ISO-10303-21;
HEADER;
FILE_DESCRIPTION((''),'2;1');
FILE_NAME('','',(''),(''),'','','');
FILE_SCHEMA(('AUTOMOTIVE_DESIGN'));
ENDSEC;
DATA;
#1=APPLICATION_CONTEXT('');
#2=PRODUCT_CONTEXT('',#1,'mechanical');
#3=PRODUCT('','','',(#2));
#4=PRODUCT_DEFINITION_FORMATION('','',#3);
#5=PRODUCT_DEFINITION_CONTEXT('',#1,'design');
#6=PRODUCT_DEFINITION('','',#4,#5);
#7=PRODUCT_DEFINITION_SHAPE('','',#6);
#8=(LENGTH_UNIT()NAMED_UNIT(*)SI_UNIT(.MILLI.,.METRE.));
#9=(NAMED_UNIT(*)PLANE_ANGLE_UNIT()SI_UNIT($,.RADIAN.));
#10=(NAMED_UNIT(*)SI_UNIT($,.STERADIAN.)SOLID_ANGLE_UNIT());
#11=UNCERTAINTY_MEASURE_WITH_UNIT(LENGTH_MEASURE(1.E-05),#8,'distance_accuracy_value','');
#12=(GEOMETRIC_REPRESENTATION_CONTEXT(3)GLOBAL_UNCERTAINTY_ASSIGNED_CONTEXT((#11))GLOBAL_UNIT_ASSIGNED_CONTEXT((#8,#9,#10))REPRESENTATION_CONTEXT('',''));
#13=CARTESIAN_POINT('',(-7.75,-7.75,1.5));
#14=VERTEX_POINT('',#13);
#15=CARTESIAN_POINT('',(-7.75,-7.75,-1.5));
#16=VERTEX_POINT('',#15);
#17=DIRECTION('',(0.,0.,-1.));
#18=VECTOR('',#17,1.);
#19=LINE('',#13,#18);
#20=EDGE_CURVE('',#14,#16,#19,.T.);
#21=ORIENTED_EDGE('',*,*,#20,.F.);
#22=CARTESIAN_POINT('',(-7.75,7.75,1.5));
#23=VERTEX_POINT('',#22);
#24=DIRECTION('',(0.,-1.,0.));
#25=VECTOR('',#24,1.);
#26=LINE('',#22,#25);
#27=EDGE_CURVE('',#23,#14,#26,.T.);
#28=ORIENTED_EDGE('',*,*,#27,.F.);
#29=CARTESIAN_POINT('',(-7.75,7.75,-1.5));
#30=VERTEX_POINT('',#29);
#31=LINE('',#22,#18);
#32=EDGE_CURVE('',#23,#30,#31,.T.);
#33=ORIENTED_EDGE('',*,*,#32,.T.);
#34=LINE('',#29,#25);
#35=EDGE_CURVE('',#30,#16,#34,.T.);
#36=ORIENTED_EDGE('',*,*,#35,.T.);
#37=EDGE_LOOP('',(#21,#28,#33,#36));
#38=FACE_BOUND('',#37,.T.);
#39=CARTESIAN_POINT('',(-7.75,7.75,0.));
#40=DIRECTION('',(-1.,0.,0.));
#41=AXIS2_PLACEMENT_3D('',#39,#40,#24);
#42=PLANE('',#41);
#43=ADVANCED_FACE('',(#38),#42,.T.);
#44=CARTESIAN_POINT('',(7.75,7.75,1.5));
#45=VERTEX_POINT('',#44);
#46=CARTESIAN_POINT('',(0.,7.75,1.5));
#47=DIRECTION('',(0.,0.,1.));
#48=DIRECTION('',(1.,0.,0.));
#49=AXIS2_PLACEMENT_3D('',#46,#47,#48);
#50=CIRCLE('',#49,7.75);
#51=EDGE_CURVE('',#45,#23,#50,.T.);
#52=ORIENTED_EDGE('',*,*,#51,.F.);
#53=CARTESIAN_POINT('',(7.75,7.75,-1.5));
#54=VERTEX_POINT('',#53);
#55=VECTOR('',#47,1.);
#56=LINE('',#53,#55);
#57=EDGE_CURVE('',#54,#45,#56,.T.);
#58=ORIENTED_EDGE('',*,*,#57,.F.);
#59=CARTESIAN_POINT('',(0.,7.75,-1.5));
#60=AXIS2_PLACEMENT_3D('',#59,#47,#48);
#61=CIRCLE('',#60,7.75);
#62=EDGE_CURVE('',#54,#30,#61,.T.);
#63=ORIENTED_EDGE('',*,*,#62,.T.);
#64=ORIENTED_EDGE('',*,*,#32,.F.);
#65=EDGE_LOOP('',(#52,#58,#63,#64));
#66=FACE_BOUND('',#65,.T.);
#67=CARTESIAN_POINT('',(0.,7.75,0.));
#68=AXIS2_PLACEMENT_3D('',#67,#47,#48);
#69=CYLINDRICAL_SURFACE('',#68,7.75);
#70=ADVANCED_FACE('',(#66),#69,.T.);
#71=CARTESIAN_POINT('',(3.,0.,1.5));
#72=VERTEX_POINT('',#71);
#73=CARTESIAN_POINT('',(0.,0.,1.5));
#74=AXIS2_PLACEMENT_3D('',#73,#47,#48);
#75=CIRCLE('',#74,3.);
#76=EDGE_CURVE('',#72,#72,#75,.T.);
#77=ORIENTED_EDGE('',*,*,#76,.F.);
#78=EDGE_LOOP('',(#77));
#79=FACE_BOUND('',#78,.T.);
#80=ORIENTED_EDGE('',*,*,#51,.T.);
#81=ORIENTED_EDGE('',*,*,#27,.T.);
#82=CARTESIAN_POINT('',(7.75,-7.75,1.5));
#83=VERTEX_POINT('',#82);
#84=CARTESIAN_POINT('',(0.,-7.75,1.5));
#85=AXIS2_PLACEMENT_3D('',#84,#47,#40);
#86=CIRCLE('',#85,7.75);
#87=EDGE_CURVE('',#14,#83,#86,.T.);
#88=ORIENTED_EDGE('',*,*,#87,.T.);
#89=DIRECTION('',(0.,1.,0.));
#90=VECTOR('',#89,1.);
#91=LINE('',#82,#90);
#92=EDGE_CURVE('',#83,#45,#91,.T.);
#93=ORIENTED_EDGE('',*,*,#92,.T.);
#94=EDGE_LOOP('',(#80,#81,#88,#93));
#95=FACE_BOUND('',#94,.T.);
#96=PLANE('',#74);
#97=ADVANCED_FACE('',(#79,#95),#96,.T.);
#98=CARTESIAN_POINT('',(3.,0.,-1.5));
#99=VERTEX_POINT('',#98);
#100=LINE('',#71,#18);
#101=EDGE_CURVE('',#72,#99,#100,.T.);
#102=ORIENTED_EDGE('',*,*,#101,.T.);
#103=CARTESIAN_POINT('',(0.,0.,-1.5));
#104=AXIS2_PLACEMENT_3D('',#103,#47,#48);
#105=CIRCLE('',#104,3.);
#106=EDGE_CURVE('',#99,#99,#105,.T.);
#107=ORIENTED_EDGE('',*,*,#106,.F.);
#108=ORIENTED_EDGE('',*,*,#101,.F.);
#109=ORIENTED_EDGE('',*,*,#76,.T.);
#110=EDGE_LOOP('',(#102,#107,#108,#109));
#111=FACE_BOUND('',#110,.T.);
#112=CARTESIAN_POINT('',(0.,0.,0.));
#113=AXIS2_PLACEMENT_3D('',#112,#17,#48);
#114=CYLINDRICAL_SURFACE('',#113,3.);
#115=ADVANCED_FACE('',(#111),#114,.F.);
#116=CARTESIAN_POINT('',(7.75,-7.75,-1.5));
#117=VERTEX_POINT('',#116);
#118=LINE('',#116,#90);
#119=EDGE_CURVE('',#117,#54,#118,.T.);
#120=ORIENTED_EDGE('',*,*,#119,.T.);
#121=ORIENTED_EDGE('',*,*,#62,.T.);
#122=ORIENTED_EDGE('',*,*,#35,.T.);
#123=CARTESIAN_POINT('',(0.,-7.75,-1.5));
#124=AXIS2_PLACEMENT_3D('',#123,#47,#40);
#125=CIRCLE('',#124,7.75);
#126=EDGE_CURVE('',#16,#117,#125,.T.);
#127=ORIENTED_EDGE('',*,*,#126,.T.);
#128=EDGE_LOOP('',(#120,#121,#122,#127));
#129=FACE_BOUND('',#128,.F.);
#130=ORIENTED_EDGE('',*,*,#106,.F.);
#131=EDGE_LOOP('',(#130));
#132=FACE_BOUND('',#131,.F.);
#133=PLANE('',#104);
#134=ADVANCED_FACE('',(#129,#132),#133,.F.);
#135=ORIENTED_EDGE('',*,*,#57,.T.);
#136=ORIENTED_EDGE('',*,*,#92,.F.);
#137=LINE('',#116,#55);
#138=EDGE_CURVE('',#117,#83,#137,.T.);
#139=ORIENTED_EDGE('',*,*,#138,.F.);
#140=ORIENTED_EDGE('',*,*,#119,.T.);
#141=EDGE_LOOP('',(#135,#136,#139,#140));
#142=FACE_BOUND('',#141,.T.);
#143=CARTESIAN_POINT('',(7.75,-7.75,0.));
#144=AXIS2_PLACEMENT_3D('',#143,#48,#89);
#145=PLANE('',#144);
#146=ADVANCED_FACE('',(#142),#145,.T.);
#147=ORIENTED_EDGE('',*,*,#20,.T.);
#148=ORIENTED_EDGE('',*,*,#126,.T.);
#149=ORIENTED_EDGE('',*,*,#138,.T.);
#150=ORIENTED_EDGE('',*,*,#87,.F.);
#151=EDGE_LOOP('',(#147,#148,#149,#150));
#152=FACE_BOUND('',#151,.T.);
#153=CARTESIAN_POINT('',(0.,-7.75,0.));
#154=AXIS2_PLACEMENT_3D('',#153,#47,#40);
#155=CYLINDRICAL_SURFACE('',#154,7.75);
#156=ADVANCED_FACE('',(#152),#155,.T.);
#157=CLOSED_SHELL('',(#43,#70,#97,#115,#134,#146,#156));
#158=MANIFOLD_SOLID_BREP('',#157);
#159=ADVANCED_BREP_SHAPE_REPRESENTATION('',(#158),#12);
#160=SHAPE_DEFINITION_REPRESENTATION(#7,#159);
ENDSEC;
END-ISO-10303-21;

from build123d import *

# Parameters (mm, degrees)
F0_R     = 3
F1_DEPTH = 1.5


with BuildPart() as f1:
    # F0 (on Top) → F1 (new body, symmetric)
    with BuildSketch(Plane.XY):
        with BuildLine():
            ThreePointArc((-7.75, -7.75), (0, -15.5), (7.75, -7.75))
            Line((7.75, -7.75), (7.75, 7.75))
            ThreePointArc((7.75, 7.75), (0, 15.5), (-7.75, 7.75))
            Line((-7.75, 7.75), (-7.75, -7.75))
        make_face()
        Circle(F0_R, mode=Mode.SUBTRACT)
    extrude(amount=F1_DEPTH, both=True)


solid = f1.part
